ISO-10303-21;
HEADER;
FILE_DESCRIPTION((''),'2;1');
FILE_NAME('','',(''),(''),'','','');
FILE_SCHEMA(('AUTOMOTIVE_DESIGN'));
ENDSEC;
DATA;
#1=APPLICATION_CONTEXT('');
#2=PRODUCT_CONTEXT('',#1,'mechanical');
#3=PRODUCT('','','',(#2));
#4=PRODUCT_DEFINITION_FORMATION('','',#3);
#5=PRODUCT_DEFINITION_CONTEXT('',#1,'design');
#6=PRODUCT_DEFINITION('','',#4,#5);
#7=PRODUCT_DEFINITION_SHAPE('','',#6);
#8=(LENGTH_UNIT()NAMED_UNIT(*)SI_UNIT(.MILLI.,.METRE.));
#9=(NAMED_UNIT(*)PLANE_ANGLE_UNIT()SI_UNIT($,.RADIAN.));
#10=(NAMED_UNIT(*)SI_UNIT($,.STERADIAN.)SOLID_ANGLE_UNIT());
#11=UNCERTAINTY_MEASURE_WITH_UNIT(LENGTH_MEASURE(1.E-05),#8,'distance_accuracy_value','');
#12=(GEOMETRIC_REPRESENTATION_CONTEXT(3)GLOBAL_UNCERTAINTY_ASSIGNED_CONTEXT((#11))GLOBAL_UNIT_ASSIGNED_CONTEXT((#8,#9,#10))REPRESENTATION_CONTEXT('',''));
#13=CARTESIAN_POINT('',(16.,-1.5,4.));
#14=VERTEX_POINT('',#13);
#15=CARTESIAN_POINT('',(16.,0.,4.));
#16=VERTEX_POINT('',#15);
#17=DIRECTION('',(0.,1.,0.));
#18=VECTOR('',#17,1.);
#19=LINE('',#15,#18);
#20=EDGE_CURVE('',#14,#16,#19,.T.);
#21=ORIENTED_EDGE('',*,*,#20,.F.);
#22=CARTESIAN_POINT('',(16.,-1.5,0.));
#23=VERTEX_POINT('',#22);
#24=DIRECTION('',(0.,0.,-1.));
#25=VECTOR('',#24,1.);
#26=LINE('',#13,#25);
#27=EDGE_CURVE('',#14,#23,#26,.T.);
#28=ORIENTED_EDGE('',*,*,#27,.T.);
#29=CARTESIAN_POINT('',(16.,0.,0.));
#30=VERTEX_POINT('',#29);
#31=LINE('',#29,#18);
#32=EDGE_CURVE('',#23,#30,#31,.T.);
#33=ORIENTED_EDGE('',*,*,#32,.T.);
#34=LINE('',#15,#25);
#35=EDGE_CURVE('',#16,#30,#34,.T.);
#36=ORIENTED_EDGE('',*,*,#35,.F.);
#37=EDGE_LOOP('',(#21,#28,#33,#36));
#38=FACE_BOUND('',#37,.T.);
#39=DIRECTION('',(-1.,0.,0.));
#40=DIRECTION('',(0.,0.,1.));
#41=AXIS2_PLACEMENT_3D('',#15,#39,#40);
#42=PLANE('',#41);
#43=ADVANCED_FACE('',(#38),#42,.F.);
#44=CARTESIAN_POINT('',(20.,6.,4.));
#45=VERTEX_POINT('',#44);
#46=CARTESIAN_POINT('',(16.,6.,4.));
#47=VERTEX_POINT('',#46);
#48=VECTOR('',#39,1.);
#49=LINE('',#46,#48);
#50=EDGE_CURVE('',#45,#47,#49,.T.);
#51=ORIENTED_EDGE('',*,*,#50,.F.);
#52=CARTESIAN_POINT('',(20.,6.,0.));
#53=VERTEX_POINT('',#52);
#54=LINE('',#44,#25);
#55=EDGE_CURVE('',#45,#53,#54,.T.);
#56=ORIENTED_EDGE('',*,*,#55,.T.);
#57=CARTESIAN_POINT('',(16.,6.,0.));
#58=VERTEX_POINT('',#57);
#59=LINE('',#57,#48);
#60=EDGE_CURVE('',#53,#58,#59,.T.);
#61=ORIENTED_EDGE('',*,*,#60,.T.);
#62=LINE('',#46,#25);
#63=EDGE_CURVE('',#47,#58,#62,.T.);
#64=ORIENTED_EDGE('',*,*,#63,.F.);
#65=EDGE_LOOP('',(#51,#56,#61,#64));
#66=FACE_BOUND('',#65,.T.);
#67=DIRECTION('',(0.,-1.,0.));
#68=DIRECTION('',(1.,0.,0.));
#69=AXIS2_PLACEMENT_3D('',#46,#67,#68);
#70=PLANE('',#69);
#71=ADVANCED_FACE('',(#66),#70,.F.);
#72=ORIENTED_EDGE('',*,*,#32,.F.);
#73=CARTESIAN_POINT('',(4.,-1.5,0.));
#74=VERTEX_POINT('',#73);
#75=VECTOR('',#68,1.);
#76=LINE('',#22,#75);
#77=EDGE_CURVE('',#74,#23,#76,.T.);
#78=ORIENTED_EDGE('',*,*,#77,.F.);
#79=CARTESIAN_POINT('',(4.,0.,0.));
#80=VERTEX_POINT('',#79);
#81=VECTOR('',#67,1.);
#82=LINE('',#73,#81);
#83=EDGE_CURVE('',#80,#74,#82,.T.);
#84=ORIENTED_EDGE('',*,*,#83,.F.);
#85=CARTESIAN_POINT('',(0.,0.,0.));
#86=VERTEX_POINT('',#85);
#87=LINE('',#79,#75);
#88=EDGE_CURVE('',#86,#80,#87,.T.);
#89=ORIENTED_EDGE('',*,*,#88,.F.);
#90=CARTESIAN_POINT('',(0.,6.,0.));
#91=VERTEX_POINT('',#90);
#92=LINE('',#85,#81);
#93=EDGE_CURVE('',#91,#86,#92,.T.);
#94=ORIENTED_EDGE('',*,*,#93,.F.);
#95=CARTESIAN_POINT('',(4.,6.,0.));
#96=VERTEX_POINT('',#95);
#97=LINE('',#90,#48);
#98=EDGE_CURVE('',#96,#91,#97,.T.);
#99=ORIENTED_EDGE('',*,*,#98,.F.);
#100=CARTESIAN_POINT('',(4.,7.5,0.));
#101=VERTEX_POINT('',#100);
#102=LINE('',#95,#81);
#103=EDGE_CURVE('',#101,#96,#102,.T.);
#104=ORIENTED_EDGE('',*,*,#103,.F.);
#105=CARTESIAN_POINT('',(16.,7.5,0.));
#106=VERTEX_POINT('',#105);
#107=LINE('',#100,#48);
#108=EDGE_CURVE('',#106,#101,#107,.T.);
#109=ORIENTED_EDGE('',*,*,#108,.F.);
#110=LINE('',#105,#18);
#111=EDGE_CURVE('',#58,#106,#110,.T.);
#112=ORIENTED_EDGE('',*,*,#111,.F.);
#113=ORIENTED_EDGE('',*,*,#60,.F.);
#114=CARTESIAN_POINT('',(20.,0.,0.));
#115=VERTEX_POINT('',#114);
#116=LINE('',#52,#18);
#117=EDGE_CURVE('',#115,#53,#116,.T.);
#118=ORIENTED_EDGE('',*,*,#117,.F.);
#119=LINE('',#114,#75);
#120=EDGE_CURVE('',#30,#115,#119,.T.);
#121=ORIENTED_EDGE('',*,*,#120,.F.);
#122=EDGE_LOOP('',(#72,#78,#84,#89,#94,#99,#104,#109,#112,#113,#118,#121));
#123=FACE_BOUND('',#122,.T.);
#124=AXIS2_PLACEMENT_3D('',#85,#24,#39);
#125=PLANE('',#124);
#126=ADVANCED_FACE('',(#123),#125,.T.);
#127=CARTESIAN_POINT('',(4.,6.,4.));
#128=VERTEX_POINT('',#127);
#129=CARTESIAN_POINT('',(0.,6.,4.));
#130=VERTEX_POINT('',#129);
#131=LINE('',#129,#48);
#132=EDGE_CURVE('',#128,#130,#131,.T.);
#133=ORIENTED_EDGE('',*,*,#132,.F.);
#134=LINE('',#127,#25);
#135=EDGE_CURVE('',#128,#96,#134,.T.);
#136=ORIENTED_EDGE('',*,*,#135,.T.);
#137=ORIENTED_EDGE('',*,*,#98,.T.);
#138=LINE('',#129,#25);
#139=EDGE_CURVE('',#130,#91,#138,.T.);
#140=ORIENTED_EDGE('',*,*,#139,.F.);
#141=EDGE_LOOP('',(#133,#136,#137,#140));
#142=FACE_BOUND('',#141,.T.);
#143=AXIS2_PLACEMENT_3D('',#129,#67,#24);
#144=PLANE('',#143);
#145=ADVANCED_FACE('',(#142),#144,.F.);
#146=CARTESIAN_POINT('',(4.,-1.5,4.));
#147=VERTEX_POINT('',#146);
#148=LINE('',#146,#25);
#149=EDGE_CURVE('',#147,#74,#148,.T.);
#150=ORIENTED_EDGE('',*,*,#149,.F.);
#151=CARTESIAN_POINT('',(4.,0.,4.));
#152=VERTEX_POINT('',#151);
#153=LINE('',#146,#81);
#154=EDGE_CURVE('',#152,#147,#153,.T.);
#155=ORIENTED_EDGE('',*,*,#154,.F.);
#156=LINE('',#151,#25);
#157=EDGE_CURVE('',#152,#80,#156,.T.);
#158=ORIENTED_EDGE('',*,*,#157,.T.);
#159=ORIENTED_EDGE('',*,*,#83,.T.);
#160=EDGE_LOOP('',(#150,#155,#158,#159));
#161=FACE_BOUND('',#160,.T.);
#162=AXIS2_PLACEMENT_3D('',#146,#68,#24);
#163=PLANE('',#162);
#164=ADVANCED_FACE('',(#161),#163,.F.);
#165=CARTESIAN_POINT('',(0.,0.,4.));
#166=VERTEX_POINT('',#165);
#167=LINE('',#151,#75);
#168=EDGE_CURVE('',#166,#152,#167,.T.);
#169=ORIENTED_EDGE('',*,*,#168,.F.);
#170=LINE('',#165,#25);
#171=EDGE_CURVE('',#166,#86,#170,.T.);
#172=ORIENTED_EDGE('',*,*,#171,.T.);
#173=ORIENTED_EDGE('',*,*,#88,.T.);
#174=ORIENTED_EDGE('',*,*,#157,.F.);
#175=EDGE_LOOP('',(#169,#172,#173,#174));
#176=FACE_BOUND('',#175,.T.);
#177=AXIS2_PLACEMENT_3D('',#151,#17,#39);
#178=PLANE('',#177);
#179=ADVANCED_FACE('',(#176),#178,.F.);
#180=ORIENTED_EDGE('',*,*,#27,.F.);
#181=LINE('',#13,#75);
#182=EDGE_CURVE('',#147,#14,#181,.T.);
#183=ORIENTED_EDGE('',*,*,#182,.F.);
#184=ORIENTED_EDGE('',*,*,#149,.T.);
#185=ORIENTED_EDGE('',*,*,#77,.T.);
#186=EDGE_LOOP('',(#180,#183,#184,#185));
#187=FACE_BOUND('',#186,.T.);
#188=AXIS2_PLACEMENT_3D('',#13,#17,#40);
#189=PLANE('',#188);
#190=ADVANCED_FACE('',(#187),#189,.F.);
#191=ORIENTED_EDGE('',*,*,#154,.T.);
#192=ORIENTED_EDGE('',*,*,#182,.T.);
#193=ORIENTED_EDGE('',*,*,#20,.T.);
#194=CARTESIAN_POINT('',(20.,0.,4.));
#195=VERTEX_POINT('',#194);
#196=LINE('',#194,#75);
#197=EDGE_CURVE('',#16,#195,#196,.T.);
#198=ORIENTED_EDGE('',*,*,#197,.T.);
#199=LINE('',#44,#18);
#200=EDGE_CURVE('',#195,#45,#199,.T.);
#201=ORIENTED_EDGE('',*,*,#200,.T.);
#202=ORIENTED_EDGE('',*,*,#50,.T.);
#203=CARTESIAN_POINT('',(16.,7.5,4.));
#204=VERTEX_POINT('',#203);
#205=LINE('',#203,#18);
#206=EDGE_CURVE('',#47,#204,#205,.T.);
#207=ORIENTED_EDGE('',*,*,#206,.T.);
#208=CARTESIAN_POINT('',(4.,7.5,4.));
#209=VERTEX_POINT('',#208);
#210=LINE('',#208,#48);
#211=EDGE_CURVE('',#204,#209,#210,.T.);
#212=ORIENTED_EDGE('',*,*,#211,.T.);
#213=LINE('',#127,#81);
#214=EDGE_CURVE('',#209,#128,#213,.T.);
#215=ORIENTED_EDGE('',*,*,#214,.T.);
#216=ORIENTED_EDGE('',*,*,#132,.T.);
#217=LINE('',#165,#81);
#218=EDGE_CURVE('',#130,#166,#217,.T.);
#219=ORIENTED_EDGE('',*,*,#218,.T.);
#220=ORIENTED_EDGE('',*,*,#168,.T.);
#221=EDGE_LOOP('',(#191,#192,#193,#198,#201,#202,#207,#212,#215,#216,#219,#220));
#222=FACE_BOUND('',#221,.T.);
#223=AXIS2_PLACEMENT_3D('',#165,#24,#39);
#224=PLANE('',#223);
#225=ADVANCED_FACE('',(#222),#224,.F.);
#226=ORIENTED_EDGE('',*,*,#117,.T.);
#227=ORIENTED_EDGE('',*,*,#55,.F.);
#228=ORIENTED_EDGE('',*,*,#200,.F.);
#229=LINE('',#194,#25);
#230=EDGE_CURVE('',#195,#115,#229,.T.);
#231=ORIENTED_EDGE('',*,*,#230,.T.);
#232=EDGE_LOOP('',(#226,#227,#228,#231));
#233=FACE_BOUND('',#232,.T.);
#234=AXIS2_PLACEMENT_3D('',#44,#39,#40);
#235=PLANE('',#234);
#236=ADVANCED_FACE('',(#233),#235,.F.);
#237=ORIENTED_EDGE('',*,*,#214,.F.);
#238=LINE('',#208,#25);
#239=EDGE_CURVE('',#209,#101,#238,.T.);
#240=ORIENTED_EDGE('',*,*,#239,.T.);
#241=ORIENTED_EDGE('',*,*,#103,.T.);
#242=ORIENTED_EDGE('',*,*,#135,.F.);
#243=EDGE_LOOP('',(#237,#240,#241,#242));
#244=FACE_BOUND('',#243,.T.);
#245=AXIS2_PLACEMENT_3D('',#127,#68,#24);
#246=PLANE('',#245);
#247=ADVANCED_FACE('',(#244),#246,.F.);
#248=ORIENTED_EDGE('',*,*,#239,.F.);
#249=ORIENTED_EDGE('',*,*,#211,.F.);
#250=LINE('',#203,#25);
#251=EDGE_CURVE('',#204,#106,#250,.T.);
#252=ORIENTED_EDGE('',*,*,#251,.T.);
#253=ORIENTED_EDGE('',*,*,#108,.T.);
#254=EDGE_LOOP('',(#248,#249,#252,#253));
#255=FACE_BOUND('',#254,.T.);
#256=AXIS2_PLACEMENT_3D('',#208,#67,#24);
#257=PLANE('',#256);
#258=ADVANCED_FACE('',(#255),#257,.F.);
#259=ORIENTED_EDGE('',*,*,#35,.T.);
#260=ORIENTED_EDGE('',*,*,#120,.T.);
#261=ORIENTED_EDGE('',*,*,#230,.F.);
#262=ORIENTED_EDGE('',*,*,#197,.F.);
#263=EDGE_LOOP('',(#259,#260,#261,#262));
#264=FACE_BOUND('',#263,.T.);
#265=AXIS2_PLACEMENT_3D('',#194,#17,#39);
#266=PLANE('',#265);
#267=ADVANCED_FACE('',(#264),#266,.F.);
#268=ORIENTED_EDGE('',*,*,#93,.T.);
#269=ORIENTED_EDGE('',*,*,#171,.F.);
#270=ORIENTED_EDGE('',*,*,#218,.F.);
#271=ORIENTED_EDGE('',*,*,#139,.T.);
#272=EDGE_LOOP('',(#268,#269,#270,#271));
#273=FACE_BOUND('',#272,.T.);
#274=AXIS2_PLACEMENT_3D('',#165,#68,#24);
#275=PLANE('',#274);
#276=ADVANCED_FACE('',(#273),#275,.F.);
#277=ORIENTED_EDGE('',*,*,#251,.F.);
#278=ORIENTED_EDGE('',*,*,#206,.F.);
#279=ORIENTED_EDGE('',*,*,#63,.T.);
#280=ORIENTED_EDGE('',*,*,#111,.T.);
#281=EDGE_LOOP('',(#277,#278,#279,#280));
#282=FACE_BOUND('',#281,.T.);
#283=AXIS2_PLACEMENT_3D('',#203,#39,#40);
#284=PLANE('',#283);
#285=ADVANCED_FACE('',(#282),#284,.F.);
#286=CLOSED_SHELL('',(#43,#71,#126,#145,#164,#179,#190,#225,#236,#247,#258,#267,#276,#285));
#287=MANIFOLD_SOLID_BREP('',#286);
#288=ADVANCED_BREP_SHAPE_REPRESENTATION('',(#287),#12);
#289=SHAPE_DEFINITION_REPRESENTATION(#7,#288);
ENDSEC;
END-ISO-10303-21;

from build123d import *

# Parameters (mm, degrees)
EXTRUDE_1_DEPTH = 4


with BuildPart() as part:
    # Эскиз1 → Бобышка-Вытянуть1 (new body)
    with BuildSketch(Plane.XY):
        Polygon((0, 0), (0, 6), (4, 6), (4, 7.5), (16, 7.5), (16, 6), (20, 6), (20, 0), (16, 0), (16, -1.5), (4, -1.5), (4, 0), align=None)
    extrude(amount=EXTRUDE_1_DEPTH)


solid = part.part
